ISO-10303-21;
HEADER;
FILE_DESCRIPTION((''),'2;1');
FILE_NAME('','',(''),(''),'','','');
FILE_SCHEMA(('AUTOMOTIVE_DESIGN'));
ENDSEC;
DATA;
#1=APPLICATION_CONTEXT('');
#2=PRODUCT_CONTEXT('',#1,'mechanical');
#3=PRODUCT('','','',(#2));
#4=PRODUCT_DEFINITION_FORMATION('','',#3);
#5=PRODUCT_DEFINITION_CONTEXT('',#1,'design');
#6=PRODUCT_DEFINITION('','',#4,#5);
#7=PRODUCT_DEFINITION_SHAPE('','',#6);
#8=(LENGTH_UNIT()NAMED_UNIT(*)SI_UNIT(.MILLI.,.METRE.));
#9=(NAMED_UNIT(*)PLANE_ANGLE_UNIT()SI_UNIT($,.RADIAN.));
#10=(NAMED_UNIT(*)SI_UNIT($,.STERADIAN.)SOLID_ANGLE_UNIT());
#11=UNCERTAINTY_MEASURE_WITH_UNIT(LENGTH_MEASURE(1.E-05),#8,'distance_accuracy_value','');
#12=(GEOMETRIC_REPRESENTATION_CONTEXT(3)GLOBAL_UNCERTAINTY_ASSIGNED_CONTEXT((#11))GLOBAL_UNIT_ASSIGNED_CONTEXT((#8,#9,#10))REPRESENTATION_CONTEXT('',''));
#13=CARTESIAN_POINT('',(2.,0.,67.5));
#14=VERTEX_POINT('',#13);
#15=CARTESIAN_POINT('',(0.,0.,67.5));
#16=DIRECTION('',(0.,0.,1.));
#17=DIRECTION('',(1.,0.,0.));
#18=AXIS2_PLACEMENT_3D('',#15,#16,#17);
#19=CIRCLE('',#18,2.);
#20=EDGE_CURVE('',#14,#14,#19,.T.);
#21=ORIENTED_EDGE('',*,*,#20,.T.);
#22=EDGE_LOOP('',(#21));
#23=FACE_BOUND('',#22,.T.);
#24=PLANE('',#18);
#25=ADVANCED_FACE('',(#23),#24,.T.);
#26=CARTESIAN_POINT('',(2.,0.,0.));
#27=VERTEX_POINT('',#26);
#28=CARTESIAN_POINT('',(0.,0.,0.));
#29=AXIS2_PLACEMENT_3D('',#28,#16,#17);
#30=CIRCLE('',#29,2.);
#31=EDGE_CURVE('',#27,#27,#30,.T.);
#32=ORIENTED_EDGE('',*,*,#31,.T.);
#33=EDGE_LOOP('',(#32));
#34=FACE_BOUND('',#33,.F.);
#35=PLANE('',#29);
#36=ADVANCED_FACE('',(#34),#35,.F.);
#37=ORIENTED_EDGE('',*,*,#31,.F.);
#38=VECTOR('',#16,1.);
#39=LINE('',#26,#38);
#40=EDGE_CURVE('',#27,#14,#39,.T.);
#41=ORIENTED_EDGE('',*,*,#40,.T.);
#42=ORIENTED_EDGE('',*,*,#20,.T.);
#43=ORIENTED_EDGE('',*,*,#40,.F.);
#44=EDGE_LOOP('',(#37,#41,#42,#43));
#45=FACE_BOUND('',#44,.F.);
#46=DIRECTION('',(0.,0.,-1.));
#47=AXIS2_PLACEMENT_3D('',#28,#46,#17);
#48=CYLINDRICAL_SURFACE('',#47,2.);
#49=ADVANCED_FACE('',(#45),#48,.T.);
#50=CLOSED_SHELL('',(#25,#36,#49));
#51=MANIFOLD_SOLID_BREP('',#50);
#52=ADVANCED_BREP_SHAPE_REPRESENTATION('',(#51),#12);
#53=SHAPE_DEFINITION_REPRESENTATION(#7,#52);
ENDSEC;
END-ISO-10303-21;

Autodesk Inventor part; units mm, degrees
ref_plane "YZ Plane" through (0, 0, 0) normal (1, 0, 0) x (0, 1, 0)
ref_plane "XZ Plane" through (0, 0, 0) normal (0, 1, 0) x (-1, 0, 0)
ref_plane "XY Plane" through (0, 0, 0) normal (0, 0, 1) x (1, 0, 0)
sketch "Skizze1" plane through (0, 0, 0) normal (0, 0, 1) x (1, 0, 0)
  circle A0 centre (0, 0) radius 2
  dimension "d0" = 4
extrude "Extrusion1" add sketch "Skizze1" along normal blind 67.5
properties part number "Stoßstange"
